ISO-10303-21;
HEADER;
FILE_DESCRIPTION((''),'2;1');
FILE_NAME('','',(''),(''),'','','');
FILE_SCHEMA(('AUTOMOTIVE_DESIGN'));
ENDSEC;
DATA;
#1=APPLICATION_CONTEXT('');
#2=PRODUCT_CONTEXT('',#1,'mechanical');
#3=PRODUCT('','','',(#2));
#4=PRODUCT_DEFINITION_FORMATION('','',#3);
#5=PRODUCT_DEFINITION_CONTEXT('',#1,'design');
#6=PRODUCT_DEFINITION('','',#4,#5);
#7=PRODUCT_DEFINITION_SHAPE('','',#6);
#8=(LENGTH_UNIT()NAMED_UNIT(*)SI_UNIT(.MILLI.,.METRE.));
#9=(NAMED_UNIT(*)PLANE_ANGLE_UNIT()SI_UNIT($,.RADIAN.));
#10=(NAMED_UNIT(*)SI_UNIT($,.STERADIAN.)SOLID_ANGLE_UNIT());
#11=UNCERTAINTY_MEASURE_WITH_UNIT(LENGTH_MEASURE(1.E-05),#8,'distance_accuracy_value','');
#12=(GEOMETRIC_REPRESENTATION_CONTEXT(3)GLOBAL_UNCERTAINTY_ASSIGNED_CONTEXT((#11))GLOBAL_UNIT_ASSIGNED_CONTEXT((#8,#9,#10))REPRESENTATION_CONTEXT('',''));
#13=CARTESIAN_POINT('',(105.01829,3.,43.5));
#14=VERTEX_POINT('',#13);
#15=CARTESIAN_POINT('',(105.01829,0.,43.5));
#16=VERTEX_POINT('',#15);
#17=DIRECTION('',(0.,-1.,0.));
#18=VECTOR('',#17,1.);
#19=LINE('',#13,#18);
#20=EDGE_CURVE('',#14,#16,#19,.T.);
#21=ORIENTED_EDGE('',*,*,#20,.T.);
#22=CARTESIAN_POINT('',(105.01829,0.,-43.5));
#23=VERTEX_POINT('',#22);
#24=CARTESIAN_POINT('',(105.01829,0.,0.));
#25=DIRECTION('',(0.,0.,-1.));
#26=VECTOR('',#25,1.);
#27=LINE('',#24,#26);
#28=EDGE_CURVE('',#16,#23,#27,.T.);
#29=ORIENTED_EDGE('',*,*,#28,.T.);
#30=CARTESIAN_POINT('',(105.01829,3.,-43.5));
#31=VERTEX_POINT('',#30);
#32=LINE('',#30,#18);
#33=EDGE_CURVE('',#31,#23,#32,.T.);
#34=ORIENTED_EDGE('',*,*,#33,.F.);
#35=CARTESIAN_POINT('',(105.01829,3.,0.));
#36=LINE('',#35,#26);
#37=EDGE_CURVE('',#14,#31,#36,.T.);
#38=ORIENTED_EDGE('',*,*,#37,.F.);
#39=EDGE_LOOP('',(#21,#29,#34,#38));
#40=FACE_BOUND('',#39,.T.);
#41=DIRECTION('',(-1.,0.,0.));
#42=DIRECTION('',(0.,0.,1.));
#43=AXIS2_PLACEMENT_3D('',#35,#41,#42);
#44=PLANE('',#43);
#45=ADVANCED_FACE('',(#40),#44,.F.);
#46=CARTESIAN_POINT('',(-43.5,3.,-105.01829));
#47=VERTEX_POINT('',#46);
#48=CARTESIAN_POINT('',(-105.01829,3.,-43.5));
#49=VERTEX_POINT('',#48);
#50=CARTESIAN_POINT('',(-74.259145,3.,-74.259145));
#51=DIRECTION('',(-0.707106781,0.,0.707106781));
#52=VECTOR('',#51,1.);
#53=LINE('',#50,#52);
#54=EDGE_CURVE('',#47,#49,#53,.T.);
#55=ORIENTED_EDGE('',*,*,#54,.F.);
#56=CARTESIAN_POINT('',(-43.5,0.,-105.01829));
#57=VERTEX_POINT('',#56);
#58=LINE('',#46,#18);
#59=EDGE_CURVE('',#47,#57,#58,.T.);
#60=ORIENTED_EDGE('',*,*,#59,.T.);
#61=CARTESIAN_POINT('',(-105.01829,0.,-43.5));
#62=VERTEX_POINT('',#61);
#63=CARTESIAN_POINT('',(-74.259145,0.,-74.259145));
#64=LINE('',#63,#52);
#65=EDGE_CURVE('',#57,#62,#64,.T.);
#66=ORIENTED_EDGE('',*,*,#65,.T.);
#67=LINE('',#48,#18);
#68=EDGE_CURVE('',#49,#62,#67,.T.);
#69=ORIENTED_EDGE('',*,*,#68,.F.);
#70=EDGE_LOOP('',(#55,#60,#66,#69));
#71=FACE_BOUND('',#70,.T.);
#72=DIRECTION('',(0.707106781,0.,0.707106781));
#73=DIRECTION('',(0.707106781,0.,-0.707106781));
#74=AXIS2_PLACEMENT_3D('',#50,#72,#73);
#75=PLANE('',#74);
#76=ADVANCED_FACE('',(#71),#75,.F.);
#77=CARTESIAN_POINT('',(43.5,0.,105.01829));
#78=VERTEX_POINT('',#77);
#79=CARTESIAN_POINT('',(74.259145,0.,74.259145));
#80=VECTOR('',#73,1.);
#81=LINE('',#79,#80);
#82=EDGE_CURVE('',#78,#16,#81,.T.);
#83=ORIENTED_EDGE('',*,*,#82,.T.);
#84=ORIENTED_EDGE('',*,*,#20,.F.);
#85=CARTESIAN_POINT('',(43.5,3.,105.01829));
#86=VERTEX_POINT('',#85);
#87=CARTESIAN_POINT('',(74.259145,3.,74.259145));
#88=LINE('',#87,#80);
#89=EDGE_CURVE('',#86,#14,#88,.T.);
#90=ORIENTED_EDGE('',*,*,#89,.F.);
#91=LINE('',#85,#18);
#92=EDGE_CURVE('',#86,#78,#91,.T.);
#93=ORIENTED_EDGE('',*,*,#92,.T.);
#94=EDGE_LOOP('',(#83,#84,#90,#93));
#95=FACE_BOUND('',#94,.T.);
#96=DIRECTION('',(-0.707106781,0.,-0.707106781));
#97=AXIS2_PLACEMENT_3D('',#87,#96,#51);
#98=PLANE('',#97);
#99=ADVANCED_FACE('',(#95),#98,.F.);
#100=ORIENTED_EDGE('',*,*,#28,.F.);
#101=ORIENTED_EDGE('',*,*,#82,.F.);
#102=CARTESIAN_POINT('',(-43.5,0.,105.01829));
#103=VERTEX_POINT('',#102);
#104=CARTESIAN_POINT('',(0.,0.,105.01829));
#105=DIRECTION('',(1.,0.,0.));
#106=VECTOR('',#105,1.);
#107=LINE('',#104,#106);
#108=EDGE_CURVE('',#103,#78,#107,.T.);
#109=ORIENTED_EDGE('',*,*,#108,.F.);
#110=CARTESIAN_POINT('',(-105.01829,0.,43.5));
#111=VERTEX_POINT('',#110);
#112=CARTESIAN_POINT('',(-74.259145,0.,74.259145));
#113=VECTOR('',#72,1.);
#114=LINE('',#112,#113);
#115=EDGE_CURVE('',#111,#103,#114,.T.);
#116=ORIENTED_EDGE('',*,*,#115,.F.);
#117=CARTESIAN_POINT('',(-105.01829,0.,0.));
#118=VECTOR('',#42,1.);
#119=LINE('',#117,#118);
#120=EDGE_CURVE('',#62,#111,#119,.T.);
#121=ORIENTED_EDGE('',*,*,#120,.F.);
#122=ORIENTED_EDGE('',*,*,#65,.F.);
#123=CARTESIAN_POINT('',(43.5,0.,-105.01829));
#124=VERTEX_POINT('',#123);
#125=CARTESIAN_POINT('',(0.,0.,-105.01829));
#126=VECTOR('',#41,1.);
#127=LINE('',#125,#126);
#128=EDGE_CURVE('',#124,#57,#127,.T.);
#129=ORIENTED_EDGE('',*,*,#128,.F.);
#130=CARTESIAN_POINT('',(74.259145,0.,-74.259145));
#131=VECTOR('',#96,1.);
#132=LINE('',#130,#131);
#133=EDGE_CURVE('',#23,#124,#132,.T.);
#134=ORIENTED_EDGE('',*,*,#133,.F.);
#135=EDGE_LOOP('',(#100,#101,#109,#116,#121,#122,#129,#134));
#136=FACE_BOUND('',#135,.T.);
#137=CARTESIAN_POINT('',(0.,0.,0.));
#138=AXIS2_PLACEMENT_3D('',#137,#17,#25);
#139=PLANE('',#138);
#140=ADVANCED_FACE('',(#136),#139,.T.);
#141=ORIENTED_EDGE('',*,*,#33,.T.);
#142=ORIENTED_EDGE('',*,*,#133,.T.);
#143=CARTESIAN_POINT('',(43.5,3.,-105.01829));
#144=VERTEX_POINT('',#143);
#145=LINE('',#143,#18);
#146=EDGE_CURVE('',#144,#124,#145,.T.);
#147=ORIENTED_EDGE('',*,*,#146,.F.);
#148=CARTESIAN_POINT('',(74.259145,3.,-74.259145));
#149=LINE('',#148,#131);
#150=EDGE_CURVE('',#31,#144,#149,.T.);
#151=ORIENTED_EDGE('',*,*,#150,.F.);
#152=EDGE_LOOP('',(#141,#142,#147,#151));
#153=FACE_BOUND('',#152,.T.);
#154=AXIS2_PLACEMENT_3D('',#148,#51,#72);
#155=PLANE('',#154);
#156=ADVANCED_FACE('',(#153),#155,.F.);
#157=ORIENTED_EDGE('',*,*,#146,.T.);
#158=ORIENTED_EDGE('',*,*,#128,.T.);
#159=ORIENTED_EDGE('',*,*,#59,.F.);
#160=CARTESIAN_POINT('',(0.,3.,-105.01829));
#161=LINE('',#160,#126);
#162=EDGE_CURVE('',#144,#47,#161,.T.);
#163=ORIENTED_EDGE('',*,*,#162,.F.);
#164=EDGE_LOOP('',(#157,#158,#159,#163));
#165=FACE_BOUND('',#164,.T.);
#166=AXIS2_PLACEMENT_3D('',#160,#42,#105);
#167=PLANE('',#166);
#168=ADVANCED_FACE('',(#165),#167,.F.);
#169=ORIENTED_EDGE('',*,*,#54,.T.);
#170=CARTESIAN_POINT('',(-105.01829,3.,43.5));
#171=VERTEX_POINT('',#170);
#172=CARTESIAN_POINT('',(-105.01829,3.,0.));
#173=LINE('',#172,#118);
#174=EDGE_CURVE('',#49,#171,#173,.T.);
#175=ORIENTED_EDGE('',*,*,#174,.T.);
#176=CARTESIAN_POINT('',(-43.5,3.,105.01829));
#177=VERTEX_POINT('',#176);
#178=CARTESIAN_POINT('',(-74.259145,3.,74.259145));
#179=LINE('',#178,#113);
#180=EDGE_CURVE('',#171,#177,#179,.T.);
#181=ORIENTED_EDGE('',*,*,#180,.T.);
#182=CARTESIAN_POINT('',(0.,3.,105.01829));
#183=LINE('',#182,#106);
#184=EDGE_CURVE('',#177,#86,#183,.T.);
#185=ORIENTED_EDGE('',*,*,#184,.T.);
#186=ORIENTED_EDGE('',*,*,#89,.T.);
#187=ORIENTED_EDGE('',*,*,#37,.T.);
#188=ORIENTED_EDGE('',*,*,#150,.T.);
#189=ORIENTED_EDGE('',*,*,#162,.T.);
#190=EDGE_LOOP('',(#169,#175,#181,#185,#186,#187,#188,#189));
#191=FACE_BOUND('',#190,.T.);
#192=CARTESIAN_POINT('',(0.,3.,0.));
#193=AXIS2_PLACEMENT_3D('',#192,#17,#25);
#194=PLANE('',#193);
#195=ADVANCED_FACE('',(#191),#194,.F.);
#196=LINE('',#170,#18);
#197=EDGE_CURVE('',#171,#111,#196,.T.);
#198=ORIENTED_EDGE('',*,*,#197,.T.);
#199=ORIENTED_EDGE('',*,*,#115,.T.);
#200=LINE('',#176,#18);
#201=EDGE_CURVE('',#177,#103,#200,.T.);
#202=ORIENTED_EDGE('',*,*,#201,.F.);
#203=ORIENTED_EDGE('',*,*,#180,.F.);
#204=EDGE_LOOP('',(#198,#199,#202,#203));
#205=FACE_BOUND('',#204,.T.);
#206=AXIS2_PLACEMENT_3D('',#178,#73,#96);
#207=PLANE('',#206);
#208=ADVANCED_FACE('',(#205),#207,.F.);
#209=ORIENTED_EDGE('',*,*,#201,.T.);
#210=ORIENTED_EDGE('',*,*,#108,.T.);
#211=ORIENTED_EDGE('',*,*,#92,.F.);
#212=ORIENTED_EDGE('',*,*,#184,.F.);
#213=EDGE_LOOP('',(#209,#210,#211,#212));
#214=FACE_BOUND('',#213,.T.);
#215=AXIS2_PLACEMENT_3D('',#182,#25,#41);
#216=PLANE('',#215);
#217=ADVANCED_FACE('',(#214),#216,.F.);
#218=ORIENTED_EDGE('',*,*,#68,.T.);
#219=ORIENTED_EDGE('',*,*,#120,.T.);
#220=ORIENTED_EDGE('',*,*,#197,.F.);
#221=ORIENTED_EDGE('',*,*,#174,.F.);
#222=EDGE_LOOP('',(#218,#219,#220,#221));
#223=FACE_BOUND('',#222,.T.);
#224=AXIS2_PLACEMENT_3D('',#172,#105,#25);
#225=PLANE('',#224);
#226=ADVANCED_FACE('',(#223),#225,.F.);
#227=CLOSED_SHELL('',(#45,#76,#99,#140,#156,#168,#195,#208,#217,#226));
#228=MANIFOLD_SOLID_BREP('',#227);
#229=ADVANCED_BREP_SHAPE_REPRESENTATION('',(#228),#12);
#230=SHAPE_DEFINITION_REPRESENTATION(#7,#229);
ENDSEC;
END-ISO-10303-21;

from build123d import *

# Parameters (mm, degrees)
BOSS_EXTRUDE1_DEPTH = 3
CIRPATTERN1_COUNT   = 8


with BuildPart() as part:
    # Sketch1 → Boss-Extrude1 (new body)
    with BuildSketch(Plane(origin=(0, 0, 0), x_dir=(1, 0, 0), z_dir=(0, 1, 0))):
        Polygon((0, 0), (105.018289963, 0), (105.018289963, 43.5), (74.259144982, 74.259144982), align=None)
    boss_extrude1 = extrude(amount=BOSS_EXTRUDE1_DEPTH)

    # CirPattern1: Boss-Extrude1 ×8 about axis
    cirpattern1_axis = Axis((0, 0, 0), (0, 1, 0))
    for i in range(1, CIRPATTERN1_COUNT):
        add(boss_extrude1.rotate(cirpattern1_axis, i * 360 / CIRPATTERN1_COUNT))


solid = part.part
